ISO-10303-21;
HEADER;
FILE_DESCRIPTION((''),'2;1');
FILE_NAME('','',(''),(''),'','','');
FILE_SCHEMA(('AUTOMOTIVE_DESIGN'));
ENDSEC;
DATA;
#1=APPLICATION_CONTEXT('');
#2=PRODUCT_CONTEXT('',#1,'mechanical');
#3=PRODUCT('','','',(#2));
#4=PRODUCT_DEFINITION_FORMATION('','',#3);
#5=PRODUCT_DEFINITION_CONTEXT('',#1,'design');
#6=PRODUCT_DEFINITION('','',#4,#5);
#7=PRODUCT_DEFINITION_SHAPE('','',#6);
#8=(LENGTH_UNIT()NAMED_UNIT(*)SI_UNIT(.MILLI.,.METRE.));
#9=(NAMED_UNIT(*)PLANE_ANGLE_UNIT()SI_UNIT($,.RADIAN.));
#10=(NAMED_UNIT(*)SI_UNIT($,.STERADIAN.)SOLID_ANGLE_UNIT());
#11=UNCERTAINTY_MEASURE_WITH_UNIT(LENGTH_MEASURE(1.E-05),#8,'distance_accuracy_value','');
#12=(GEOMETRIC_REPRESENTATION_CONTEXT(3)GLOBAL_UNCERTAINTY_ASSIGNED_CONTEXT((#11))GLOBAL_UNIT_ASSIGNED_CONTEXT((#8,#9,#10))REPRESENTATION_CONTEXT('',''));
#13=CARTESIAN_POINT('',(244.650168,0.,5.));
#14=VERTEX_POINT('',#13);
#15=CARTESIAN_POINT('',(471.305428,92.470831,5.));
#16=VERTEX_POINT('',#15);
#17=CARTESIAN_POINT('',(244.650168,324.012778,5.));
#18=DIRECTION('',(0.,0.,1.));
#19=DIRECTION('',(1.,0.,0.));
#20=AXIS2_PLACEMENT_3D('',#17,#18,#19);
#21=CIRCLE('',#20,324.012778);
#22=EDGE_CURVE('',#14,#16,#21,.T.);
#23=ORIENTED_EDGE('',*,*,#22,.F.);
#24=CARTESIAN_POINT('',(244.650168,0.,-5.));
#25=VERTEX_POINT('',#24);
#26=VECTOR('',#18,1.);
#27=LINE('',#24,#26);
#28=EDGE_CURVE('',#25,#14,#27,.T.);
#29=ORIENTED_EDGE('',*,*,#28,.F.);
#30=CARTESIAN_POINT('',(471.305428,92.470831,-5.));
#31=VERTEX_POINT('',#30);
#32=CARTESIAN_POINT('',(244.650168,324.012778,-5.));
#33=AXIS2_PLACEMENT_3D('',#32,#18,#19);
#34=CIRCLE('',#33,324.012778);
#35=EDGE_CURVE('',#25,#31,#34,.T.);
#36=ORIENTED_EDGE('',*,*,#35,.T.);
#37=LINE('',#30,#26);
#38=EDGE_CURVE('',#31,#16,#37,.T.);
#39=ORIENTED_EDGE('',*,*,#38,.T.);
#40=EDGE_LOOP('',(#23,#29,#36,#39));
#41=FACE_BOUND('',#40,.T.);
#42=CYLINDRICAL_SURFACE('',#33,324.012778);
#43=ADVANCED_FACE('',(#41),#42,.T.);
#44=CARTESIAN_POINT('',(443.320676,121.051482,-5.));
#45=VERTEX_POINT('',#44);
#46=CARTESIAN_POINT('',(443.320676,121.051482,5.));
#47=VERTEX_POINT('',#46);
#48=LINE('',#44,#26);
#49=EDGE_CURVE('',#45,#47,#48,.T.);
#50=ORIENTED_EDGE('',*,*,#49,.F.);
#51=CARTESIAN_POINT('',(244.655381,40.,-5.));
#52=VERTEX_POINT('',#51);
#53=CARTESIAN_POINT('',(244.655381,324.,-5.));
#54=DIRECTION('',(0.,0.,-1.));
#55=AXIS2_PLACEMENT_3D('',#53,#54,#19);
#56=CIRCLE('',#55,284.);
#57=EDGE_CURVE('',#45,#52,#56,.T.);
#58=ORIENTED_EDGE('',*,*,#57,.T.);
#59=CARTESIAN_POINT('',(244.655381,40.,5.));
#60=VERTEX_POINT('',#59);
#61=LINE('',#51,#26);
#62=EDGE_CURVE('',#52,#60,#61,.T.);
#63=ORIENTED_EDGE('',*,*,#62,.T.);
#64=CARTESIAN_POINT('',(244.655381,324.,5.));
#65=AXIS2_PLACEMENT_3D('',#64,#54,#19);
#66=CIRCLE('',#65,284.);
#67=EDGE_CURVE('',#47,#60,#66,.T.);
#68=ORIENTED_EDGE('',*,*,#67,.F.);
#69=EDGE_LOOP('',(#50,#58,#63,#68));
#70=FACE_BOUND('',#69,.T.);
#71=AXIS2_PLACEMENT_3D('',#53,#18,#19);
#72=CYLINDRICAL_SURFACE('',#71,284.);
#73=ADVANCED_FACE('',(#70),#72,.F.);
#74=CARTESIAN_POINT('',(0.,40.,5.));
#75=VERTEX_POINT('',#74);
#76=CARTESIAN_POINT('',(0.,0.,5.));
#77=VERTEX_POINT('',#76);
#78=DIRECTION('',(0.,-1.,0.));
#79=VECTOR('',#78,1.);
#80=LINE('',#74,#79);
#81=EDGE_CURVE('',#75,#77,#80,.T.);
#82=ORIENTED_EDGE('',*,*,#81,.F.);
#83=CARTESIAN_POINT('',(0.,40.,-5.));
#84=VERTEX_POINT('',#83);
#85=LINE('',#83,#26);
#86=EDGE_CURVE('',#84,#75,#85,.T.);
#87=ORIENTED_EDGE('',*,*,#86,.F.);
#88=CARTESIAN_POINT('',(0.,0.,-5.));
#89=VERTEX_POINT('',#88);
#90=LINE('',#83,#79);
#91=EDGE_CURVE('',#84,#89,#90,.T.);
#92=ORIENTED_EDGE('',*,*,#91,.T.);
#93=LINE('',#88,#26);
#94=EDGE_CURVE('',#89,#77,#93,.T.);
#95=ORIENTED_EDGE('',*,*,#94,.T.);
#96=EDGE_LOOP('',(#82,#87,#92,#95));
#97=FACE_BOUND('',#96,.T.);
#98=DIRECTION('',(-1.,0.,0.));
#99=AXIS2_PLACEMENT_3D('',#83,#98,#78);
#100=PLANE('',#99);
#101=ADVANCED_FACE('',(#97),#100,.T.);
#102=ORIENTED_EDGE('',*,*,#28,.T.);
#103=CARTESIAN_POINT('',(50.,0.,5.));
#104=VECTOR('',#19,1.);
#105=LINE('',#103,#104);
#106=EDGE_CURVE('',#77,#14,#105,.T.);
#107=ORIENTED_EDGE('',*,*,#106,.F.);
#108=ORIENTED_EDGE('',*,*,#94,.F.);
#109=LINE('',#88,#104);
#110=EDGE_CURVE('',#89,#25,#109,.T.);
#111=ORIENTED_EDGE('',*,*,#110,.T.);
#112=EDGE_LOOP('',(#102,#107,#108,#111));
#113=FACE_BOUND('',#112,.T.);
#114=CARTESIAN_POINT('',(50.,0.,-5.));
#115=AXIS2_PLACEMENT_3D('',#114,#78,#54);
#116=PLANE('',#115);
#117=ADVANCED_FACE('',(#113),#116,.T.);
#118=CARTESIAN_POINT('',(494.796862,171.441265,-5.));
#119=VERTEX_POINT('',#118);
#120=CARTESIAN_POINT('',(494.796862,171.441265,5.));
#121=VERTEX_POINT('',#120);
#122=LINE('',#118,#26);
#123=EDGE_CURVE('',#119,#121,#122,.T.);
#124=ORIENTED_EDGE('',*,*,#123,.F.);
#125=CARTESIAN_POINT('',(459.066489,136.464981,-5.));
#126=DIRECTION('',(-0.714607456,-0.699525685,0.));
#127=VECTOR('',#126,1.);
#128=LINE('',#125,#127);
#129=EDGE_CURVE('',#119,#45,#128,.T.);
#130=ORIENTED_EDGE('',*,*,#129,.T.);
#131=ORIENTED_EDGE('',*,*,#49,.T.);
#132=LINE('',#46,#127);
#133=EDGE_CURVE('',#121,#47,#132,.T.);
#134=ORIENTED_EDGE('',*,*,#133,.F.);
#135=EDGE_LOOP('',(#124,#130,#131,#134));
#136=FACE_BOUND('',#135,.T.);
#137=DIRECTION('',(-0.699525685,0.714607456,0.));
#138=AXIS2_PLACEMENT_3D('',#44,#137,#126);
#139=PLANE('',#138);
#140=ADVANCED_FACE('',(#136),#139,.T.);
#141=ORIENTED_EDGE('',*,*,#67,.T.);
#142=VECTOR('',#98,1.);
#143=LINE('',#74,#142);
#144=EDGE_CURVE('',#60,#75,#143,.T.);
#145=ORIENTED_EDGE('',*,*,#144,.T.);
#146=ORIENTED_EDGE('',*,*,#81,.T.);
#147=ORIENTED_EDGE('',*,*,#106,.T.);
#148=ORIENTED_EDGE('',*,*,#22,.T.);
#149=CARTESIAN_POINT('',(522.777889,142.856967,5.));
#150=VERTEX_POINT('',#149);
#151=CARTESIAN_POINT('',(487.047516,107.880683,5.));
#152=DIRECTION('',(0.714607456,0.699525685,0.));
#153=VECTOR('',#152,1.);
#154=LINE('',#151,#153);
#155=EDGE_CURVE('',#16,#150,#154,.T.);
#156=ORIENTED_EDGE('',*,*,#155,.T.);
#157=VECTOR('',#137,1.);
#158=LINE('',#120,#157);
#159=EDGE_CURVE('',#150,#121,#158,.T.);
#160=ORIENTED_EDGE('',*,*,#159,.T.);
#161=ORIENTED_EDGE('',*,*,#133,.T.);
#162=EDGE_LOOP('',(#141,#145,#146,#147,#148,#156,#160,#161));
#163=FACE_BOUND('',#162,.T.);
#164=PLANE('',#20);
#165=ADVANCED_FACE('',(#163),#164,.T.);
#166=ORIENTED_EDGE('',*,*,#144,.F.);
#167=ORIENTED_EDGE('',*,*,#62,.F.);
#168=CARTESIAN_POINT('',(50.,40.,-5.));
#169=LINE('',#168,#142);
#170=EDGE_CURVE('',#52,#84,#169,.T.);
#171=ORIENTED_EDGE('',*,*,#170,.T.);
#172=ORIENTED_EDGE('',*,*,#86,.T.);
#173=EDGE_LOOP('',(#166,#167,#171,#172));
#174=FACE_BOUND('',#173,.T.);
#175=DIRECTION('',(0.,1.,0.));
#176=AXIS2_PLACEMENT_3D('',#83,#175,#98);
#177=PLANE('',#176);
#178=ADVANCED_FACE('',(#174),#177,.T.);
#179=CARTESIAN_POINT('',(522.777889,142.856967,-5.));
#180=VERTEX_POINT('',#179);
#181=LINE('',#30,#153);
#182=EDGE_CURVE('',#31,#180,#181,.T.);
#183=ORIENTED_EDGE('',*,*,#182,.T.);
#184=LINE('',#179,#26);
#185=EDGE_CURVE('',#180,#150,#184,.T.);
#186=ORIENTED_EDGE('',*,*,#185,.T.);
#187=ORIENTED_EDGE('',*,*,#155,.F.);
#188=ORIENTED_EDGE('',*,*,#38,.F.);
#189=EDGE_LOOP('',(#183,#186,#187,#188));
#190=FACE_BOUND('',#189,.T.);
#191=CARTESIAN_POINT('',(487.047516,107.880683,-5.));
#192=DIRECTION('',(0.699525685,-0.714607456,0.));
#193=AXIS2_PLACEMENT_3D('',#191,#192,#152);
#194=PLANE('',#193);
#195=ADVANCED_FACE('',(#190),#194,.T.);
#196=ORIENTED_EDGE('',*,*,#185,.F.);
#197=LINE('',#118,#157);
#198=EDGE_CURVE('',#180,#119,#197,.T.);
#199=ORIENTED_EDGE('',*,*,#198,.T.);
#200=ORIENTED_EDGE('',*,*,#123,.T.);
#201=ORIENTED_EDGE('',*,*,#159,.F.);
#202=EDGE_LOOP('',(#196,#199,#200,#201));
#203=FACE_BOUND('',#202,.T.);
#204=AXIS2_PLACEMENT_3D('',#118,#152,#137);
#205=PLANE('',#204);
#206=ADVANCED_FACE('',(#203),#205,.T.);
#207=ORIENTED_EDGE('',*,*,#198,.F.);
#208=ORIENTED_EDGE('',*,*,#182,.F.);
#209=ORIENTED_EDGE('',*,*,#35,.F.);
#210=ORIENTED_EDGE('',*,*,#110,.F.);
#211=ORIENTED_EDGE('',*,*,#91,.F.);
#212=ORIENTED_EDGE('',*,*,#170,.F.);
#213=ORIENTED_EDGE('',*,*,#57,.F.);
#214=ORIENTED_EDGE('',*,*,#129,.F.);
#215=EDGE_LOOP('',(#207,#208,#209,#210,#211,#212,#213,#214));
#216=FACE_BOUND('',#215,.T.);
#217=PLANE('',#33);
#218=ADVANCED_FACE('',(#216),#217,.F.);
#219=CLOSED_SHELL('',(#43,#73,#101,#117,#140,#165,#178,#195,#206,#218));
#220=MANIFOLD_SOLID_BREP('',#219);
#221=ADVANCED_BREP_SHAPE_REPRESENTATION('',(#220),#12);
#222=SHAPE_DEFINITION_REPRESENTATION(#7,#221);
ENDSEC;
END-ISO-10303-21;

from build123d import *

# Parameters (mm, degrees)
BOSS_EXTRUDE1_DEPTH = 5


with BuildPart() as part:
    # Sketch4 → Boss-Extrude1 (new, symmetric)
    with BuildSketch(Plane.XY):
        with BuildLine():
            Line((50, 40), (244.655381072, 40))
            ThreePointArc((244.655381072, 40), (351.936835728, 61.042418845), (443.320675573, 121.051482487))
            Line((443.320675573, 121.051482487), (459.066489093, 136.464981035))
            Line((459.066489093, 136.464981035), (494.796861895, 171.441265278))
            Line((494.796861895, 171.441265278), (522.777889288, 142.856967039))
            Line((522.777889288, 142.856967039), (487.047516486, 107.880682795))
            Line((487.047516486, 107.880682795), (471.305428262, 92.47083092))
            ThreePointArc((471.305428262, 92.47083092), (367.046513526, 24.007086549), (244.650168029, 0))
            Line((244.650168029, 0), (50, 0))
            Line((50, 0), (0, 0))
            Line((0, 0), (0, 40))
            Line((0, 40), (50, 40))
        make_face()
    extrude(amount=BOSS_EXTRUDE1_DEPTH, both=True)


solid = part.part
